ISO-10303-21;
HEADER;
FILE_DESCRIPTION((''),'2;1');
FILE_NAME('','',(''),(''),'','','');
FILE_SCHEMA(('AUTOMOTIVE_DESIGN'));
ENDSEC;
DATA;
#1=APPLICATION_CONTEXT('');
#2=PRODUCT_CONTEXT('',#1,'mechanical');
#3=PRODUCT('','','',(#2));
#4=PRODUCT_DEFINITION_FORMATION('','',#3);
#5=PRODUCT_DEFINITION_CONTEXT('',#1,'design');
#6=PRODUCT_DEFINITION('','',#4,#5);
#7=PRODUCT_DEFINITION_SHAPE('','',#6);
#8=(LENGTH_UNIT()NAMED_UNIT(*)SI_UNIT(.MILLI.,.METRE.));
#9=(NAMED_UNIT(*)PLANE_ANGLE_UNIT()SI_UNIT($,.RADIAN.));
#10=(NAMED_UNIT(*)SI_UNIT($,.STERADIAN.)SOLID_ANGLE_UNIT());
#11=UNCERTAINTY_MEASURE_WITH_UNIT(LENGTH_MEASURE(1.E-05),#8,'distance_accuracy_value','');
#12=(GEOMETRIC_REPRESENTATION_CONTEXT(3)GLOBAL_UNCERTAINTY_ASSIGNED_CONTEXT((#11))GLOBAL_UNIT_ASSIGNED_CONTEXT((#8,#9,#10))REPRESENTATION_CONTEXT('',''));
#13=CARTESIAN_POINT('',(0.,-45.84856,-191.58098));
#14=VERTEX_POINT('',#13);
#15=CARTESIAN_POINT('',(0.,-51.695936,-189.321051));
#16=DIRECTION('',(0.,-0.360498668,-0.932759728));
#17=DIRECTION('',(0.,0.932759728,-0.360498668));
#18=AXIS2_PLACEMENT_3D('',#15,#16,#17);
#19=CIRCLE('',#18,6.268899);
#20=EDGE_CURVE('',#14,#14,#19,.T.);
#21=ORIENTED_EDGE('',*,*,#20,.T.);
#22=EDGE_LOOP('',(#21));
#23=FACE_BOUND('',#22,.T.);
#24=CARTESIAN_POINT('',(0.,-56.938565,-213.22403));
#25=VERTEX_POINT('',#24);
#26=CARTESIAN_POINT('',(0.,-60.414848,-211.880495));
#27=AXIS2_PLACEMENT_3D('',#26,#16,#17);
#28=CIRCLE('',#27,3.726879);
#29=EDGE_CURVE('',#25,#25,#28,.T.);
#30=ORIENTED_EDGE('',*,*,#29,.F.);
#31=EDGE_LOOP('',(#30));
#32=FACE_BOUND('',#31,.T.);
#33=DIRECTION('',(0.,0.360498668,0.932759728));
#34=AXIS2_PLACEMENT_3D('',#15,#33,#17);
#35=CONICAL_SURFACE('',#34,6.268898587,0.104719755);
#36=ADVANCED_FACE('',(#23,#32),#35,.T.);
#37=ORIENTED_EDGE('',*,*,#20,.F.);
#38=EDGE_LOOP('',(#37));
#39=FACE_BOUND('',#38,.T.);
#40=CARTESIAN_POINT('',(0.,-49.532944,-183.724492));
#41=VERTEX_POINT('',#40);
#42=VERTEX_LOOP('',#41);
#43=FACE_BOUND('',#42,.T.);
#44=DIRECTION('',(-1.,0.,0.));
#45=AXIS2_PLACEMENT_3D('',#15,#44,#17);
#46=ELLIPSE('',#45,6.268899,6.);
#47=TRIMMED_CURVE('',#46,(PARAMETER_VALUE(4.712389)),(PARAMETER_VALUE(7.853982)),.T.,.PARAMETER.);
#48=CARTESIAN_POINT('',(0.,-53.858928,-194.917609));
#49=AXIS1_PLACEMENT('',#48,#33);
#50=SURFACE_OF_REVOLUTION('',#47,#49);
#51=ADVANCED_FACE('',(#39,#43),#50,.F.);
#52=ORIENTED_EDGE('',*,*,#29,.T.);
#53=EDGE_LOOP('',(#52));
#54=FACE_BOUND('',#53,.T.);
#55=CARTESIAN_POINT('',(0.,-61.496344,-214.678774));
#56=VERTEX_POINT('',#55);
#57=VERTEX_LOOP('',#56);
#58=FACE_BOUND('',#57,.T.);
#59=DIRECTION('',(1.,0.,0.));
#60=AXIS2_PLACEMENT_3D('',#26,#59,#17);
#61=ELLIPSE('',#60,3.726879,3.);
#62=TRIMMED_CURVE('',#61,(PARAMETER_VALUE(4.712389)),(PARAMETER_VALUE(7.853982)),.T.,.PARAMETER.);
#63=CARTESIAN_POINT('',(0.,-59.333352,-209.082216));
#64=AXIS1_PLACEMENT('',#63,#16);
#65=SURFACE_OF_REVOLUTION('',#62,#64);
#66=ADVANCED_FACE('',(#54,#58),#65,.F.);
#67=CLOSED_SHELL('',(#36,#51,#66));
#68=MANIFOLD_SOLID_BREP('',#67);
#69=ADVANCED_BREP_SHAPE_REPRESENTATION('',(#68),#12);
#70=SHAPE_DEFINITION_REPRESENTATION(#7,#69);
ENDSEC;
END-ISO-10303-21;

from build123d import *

# Parameters (mm, degrees)
SKETCH1_R           = 6.268898587
BOSS_EXTRUDE1_DEPTH = 24.185697
BOSS_EXTRUDE1_TAPER = 6
DOME1_FACE_RADIUS   = 6.268898587
DOME1_HEIGHT        = 6
DOME2_FACE_RADIUS   = 3.726879399
DOME2_HEIGHT        = 3


with BuildPart() as part:
    # Sketch1 → Boss-Extrude1 (new body)
    with BuildSketch(Plane(origin=(0, -51.695936183, -189.321050655), x_dir=(-1, 0, 0), z_dir=(0, -0.3604986676689615, -0.9327597282306435))):
        Circle(SKETCH1_R)
    extrude(amount=BOSS_EXTRUDE1_DEPTH, taper=BOSS_EXTRUDE1_TAPER)

    # Dome1: an elliptical dome of height H over a round flat face of radius A is half a spheroid: the quarter ellipse of half axes A and H revolved about the face's axis
    with BuildSketch(Plane((0, -51.695936183, -189.321050655), x_dir=(0, 0.9327597282306769, -0.3604986676688751), z_dir=(1, 0, 0)), mode=Mode.PRIVATE) as dome1_quarter:
        Ellipse(DOME1_FACE_RADIUS, DOME1_HEIGHT)
        Rectangle(DOME1_FACE_RADIUS, DOME1_HEIGHT, align=(Align.MIN, Align.MIN), mode=Mode.INTERSECT)
    revolve(dome1_quarter.sketch, axis=Axis((0, -51.695936183, -189.321050655), (0, 0.360498667669, 0.932759728231)))

    # Dome2: an elliptical dome of height H over a round flat face of radius A is half a spheroid: the quarter ellipse of half axes A and H revolved about the face's axis
    with BuildSketch(Plane((0, -60.414847728, -211.880494816), x_dir=(0, -0.9327597282306769, 0.3604986676688751), z_dir=(1, 0, 0)), mode=Mode.PRIVATE) as dome2_quarter:
        Ellipse(DOME2_FACE_RADIUS, DOME2_HEIGHT)
        Rectangle(DOME2_FACE_RADIUS, DOME2_HEIGHT, align=(Align.MIN, Align.MIN), mode=Mode.INTERSECT)
    revolve(dome2_quarter.sketch, axis=Axis((0, -60.414847728, -211.880494816), (0, -0.360498667669, -0.932759728231)))


solid = part.part
